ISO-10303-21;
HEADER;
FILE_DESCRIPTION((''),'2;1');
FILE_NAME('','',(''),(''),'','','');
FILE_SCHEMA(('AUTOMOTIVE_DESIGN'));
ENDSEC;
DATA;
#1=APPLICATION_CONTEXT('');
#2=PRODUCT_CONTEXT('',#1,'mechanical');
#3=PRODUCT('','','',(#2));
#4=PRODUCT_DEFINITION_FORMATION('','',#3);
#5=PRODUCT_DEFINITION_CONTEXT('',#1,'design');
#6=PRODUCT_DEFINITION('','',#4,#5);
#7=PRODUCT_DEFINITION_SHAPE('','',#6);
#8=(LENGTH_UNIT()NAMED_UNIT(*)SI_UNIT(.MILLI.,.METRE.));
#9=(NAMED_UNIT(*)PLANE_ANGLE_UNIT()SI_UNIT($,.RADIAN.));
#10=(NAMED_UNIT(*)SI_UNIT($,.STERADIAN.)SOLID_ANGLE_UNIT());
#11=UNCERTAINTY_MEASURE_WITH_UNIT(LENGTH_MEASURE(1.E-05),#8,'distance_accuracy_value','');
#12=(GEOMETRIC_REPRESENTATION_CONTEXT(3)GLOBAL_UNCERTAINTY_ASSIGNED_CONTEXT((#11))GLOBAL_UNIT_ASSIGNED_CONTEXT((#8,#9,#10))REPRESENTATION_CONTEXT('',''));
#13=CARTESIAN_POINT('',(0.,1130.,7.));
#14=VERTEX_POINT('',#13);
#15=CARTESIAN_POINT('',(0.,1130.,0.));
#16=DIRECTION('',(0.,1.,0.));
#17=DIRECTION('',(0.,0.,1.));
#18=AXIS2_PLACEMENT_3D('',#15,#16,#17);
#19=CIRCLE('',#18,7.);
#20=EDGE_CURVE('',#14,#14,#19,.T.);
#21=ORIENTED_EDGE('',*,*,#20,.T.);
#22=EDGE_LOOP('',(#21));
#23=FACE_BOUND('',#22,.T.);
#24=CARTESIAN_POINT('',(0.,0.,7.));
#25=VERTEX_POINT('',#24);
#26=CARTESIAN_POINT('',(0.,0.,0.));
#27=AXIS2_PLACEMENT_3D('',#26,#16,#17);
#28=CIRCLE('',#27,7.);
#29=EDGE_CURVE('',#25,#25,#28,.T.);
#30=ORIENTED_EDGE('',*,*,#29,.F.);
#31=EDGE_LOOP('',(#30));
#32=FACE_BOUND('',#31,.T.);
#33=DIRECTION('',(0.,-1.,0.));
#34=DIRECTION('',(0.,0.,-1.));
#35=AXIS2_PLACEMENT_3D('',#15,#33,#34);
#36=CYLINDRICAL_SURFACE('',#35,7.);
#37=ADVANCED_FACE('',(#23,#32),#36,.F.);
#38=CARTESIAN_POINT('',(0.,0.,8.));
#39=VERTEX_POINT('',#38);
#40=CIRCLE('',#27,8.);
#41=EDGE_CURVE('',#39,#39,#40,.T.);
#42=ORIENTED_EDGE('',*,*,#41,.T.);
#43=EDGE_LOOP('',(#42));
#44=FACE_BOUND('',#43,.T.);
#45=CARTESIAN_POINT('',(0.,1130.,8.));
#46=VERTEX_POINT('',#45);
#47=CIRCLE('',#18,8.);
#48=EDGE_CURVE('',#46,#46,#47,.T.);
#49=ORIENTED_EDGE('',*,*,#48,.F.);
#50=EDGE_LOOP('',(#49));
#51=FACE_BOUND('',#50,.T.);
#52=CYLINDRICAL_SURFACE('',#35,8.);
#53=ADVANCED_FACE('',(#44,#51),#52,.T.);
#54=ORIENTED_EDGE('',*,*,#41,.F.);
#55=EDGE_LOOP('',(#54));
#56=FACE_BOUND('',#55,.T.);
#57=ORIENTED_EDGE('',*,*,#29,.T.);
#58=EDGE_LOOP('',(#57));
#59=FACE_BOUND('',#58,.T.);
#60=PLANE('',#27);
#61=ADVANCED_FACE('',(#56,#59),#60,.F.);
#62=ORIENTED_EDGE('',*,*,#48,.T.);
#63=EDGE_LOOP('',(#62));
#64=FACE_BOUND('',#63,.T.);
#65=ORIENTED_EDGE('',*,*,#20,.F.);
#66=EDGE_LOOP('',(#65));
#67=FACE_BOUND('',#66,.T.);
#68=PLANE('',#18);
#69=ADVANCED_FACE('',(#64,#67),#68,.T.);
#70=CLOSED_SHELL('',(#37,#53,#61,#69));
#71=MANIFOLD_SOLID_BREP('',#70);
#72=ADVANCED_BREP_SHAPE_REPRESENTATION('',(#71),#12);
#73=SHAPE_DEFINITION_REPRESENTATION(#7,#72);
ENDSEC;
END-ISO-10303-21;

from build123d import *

# Parameters (mm, degrees)
SCHIZZO1_R                   = 8
SCHIZZO1_R_2                 = 7
ESTRUSIONE_ESTRUSIONE1_DEPTH = 1130


with BuildPart() as part:
    # Schizzo1 → Estrusione-Estrusione1 (new body)
    with BuildSketch(Plane(origin=(0, 0, 0), x_dir=(1, 0, 0), z_dir=(0, 1, 0))):
        with Locations(Location((0, 0, 0), (0, 0, 270))):
            Circle(SCHIZZO1_R)
        with Locations(Location((0, 0, 0), (0, 0, 270))):
            Circle(SCHIZZO1_R_2, mode=Mode.SUBTRACT)
    extrude(amount=ESTRUSIONE_ESTRUSIONE1_DEPTH)


solid = part.part
